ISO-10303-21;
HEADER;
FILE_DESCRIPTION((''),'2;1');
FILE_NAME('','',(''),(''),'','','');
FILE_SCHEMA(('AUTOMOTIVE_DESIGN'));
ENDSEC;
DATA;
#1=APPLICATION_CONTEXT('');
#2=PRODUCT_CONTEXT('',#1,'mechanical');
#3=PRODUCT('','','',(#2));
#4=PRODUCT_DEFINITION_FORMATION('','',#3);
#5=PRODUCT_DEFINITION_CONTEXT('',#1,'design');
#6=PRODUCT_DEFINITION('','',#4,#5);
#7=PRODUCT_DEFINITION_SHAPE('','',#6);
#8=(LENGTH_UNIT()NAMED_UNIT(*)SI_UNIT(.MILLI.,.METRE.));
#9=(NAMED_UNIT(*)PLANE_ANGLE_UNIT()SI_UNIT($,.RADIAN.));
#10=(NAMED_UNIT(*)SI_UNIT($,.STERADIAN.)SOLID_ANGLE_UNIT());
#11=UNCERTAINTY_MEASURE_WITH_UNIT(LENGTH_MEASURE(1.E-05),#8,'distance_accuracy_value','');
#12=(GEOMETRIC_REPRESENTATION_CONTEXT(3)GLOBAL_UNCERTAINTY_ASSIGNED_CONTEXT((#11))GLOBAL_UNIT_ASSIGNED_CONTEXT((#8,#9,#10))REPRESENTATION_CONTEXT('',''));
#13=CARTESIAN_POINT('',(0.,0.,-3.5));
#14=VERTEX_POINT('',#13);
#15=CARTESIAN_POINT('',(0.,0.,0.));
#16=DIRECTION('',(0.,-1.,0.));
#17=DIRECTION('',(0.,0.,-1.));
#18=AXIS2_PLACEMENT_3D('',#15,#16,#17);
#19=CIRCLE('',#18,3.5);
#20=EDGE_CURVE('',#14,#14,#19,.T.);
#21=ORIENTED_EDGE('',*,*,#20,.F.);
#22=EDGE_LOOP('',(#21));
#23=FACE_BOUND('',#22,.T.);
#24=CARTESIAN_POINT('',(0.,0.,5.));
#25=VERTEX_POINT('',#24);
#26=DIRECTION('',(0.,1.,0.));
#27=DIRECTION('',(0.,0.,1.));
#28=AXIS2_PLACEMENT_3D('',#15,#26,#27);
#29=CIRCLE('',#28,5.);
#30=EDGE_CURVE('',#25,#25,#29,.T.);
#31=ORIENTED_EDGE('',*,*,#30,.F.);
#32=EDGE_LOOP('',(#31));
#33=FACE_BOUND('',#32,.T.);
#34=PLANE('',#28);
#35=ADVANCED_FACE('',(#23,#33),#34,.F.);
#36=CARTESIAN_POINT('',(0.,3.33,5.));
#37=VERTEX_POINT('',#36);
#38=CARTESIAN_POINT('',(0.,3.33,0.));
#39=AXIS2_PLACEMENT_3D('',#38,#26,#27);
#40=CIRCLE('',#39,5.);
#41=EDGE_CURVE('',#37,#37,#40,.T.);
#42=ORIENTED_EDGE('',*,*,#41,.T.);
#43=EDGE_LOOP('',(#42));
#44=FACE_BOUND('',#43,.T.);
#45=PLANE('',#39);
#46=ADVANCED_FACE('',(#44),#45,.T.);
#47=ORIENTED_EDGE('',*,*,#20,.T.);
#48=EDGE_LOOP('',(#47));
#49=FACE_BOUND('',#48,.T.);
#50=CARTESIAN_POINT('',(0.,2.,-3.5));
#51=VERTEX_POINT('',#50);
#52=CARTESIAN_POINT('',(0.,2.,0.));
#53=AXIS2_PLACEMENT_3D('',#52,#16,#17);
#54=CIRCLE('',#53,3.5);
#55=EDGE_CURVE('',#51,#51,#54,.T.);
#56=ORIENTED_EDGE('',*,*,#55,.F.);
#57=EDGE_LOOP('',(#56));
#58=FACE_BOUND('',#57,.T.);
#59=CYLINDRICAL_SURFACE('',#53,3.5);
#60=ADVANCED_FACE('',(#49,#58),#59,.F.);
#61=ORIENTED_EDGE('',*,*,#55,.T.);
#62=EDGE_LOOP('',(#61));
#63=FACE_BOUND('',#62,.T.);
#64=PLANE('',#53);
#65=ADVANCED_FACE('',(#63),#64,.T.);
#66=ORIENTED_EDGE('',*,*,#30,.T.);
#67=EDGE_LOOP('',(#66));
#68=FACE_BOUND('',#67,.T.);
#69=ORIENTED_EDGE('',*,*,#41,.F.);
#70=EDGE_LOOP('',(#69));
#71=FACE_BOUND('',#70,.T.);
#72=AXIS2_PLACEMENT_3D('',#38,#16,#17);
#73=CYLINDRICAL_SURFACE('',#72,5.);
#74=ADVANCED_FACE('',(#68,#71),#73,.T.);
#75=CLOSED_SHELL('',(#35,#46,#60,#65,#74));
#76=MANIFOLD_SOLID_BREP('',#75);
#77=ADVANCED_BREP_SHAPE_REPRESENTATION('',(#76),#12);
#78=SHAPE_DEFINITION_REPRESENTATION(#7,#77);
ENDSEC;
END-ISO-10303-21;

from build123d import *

# Parameters (mm, degrees)
SKETCH2_R           = 5
BOSS_EXTRUDE1_DEPTH = 3.33
SKETCH5_R           = 3.5
CUT_EXTRUDE1_DEPTH  = 2


with BuildPart() as part:
    # Sketch2 → Boss-Extrude1 (new body)
    with BuildSketch(Plane(origin=(0, 0, 0), x_dir=(1, 0, 0), z_dir=(0, 1, 0))):
        with Locations(Location((0, 0, 0), (0, 0, 270))):
            Circle(SKETCH2_R)
    extrude(amount=BOSS_EXTRUDE1_DEPTH)

    # Sketch5 → Cut-Extrude1 (cut)
    with BuildSketch(Plane.XZ):
        with Locations(Location((0, 0, 0), (0, 0, 270))):
            Circle(SKETCH5_R)
    extrude(amount=-CUT_EXTRUDE1_DEPTH, mode=Mode.SUBTRACT)


solid = part.part
